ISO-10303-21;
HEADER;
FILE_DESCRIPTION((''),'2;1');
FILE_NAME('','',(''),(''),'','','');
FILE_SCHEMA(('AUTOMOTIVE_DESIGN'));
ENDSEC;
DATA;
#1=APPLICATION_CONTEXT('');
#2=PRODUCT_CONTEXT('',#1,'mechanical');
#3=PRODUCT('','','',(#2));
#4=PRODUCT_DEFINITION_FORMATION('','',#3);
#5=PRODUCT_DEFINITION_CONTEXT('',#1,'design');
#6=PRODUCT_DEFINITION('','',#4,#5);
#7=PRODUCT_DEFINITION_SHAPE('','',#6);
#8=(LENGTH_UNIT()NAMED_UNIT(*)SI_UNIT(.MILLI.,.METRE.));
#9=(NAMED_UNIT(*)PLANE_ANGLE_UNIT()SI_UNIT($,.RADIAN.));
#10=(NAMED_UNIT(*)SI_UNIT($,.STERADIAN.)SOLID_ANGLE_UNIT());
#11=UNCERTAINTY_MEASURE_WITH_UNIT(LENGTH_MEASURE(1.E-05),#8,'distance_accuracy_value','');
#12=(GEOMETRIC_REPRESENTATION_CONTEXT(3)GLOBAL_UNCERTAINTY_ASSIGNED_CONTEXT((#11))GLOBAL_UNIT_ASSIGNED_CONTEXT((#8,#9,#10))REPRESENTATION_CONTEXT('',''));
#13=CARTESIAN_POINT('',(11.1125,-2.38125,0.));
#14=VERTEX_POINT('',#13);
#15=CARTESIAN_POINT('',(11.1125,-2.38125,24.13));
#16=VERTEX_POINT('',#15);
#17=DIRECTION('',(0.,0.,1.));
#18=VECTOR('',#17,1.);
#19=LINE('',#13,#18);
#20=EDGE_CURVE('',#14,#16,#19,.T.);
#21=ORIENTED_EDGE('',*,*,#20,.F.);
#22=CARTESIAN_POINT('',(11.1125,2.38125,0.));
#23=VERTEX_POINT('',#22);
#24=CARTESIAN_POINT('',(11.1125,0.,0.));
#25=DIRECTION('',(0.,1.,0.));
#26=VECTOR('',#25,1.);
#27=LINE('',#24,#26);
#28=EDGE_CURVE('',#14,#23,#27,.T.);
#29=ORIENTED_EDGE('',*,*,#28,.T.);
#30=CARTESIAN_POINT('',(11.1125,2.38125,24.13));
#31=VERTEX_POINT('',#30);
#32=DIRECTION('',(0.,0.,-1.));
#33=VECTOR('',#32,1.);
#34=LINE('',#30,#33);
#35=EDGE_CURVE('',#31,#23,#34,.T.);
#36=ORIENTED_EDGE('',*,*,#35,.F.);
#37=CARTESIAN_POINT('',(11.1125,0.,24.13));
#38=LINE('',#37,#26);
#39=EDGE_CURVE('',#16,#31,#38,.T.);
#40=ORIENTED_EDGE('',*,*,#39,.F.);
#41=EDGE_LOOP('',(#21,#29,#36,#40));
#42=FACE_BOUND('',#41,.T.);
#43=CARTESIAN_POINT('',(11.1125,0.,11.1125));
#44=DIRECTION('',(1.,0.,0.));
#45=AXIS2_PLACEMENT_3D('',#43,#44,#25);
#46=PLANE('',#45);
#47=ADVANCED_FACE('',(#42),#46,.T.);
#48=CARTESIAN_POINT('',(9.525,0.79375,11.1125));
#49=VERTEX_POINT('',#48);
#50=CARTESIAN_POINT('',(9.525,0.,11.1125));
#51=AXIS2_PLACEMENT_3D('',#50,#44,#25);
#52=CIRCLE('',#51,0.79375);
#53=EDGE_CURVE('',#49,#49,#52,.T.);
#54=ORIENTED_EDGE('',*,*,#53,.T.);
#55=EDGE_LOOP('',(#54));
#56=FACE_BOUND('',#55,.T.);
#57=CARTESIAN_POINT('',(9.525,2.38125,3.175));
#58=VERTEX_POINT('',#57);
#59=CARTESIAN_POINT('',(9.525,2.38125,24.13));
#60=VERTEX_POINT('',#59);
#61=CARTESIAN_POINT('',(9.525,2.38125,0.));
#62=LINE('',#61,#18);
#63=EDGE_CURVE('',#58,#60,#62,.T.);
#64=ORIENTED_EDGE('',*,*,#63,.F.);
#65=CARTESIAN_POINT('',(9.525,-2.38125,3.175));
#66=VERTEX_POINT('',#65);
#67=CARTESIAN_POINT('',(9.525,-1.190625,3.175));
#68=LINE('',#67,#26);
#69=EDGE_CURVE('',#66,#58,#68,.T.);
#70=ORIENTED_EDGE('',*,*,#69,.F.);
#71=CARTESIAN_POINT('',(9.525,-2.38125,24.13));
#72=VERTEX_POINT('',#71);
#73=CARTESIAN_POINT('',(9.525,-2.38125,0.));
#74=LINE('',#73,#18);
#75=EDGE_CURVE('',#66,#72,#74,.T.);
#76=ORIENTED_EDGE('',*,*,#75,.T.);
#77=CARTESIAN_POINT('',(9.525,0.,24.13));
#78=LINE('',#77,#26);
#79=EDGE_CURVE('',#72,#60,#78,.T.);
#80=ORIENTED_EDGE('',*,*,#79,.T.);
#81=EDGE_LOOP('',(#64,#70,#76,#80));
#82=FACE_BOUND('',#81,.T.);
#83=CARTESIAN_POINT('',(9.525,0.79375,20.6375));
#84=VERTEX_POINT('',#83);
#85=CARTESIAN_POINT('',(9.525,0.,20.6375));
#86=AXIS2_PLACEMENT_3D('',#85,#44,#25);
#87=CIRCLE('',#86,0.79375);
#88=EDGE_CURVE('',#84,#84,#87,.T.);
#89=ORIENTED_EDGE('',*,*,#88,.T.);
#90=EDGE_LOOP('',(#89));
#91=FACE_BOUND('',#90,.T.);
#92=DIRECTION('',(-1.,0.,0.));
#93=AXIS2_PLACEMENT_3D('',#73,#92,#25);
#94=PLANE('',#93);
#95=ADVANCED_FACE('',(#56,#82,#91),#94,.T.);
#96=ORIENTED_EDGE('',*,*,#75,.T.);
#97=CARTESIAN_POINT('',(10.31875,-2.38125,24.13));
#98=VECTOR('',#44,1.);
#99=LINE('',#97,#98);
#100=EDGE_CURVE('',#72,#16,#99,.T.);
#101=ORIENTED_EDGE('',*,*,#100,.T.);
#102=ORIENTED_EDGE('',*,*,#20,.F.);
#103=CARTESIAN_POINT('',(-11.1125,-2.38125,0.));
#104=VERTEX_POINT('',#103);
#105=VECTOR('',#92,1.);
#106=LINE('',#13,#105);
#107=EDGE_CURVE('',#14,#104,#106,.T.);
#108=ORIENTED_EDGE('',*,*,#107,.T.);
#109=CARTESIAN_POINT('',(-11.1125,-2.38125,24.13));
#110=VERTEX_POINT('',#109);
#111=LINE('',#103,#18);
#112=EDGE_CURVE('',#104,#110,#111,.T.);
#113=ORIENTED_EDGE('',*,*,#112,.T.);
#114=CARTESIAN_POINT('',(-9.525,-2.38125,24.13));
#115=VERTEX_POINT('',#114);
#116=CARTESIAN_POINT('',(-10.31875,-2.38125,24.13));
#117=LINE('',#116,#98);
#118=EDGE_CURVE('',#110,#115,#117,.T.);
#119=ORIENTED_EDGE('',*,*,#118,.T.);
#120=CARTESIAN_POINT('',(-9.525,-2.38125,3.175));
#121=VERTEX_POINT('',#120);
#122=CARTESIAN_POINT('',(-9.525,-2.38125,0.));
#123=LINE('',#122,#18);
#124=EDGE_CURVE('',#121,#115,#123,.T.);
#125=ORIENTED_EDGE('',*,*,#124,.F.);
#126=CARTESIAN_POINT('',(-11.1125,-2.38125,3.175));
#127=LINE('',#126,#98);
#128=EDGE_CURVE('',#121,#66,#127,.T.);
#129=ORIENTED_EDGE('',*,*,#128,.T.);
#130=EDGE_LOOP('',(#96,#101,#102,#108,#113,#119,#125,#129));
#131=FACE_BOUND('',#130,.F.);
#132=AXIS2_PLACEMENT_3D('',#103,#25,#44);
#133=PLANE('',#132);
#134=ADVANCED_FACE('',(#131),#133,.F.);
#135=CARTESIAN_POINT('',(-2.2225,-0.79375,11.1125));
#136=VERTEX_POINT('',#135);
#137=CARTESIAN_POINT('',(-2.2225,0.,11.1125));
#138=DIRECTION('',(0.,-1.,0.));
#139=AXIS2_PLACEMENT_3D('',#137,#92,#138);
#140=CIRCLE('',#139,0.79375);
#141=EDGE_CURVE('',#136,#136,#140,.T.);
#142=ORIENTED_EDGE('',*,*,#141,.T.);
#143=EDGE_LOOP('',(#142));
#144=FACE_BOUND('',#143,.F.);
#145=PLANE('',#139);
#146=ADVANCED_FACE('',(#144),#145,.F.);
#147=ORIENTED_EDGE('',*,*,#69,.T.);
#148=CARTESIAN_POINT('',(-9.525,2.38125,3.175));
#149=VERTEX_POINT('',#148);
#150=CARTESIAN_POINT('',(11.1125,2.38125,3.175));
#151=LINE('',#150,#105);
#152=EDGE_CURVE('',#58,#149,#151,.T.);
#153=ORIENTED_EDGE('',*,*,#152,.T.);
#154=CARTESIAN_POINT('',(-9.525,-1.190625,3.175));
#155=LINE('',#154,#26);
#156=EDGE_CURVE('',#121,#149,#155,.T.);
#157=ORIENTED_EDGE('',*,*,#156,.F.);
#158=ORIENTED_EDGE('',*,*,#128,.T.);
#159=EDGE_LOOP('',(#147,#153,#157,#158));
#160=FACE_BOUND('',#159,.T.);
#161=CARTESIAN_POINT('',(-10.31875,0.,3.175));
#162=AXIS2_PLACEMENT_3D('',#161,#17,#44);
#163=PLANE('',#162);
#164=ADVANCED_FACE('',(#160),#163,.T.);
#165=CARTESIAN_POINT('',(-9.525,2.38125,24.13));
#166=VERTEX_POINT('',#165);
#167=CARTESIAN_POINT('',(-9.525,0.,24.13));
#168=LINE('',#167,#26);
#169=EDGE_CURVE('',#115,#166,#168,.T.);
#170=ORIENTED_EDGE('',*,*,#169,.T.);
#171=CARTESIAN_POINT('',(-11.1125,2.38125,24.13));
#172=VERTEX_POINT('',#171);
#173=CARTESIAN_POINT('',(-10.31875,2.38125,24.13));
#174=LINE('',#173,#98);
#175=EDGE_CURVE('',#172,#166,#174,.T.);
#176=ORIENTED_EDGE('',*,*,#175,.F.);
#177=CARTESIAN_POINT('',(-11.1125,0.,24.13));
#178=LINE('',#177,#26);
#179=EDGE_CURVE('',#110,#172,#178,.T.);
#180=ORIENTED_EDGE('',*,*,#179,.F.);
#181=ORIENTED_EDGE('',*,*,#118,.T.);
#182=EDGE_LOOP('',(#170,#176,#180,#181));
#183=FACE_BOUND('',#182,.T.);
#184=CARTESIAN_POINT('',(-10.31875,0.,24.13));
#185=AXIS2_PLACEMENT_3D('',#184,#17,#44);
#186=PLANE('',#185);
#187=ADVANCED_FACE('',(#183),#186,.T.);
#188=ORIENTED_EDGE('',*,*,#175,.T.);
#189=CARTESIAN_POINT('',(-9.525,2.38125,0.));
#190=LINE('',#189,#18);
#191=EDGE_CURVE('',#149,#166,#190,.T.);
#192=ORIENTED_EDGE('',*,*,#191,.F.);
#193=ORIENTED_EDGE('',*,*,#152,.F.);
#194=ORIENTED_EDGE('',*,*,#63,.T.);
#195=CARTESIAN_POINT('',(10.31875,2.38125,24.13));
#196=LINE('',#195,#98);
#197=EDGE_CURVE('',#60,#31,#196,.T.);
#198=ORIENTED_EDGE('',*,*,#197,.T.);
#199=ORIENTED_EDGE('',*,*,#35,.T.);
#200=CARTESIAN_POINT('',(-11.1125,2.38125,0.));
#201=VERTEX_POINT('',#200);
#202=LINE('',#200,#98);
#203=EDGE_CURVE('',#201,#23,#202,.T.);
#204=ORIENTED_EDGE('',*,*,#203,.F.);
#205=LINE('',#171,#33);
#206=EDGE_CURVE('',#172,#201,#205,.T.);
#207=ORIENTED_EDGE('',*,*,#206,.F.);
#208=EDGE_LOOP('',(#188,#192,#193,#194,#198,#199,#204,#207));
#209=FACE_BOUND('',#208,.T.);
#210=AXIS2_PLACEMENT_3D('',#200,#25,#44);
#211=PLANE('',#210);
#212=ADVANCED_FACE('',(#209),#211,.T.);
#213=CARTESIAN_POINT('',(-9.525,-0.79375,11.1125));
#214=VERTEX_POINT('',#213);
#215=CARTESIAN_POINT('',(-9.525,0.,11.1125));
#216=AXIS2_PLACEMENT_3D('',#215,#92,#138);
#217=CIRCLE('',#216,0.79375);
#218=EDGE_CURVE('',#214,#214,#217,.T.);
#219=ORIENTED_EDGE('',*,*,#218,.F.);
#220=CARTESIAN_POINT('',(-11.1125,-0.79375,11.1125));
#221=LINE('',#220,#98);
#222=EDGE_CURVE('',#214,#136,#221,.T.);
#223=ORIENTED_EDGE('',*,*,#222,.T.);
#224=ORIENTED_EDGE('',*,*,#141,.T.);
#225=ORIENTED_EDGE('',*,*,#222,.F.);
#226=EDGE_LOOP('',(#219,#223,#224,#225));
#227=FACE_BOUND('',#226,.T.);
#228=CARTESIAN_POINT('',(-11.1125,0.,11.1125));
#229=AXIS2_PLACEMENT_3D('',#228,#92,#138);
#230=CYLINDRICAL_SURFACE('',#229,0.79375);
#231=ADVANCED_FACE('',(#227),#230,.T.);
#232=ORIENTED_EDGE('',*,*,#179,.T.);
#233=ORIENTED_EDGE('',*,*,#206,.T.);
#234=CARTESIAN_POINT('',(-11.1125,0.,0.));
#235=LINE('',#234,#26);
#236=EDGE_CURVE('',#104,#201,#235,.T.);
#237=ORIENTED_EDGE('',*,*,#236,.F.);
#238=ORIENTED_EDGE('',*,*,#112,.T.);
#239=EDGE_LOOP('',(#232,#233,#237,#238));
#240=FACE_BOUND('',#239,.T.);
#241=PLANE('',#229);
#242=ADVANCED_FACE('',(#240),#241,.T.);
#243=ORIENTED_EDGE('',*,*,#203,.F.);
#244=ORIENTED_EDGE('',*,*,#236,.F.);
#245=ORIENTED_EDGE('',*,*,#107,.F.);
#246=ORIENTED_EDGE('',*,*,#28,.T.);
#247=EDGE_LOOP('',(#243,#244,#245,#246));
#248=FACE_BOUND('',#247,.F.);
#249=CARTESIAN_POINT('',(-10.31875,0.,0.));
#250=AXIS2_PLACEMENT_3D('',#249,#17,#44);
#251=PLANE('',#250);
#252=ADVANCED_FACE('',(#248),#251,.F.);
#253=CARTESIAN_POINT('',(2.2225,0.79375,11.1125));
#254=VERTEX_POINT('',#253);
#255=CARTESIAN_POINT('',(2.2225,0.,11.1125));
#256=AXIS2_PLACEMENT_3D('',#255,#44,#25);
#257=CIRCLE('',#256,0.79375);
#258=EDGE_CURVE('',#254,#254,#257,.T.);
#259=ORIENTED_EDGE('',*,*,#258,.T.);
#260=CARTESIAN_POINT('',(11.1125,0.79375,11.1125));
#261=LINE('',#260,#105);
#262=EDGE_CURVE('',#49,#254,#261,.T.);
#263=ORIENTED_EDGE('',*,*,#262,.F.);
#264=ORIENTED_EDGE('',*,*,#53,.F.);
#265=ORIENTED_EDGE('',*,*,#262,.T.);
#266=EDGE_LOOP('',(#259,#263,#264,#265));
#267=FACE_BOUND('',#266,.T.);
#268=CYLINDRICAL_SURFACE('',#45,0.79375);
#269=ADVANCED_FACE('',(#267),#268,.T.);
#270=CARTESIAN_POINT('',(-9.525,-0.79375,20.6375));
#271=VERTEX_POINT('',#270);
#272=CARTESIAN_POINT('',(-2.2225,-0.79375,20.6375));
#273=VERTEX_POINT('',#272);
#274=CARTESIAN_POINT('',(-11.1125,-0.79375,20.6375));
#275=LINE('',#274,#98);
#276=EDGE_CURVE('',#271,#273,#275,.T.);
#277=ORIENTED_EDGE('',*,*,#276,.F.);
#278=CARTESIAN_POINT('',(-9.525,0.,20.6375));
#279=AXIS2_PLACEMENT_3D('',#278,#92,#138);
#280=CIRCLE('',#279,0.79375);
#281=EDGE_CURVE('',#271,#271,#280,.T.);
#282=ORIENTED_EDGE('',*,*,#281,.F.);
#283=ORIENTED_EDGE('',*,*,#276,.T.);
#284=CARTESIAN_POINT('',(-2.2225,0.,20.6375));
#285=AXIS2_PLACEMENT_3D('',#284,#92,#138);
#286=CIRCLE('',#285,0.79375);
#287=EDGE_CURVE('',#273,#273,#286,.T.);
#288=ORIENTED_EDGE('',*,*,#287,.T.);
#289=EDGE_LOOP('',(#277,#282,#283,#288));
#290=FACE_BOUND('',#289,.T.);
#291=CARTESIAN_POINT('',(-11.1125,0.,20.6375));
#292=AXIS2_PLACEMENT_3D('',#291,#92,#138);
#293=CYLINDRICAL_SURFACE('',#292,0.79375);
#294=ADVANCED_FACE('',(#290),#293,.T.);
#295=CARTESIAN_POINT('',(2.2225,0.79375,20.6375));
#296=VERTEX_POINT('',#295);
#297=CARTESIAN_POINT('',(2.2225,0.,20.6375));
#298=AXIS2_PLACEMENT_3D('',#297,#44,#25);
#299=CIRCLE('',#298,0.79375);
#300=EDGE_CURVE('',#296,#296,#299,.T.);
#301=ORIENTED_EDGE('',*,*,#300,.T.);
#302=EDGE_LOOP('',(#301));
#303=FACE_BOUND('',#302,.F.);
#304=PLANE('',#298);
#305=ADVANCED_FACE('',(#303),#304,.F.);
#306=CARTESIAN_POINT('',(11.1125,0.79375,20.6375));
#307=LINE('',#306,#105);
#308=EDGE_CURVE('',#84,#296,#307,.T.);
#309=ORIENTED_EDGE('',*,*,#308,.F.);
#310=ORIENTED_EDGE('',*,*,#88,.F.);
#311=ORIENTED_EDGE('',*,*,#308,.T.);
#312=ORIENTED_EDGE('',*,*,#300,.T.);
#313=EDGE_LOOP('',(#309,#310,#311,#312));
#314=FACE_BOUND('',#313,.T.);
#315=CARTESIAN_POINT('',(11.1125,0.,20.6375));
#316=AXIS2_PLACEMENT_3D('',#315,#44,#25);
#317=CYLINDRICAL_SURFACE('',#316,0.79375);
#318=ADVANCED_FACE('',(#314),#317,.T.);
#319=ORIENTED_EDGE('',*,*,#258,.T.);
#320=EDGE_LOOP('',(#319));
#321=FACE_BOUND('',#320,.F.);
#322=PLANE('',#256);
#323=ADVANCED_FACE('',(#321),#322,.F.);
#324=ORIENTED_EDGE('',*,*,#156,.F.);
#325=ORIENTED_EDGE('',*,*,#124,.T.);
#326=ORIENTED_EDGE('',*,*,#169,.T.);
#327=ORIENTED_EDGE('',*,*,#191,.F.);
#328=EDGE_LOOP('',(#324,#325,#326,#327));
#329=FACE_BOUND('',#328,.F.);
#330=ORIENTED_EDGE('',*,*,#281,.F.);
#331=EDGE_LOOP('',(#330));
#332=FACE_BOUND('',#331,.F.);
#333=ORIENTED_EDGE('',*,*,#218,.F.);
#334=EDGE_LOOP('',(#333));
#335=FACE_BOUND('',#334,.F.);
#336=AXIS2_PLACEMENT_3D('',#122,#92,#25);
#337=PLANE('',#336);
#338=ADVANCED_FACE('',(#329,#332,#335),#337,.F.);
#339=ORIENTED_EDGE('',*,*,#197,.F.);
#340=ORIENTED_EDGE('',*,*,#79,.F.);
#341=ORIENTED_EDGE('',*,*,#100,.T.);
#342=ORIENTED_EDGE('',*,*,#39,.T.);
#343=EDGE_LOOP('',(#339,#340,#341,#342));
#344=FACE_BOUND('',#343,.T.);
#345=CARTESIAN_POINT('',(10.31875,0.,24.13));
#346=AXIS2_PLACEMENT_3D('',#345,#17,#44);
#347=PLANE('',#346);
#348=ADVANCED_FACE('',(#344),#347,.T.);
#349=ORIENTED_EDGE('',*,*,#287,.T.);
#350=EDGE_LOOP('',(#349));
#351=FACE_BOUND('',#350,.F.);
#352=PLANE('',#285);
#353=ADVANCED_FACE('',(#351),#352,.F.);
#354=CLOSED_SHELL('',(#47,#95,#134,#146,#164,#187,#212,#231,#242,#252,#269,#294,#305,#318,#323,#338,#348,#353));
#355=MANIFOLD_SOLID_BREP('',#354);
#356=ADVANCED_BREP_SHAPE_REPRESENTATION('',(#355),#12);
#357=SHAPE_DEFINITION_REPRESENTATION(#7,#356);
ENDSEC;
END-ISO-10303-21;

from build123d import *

# Parameters (mm, degrees)
F0_W     = 1.5875
F0_H     = 4.7625
F1_DEPTH = 24.13
F0_W_2   = 19.05
F2_DEPTH = 3.175
F3_R     = 0.79375
F4_DEPTH = 8.89
F5_R     = 0.79375
F6_DEPTH = 8.89


with BuildPart() as f1:
    # F0 (on Top) → F1 (new body)
    with BuildSketch(Plane.XY):
        with Locations((-10.31875, 0)):
            Rectangle(F0_W, F0_H)
    extrude(amount=F1_DEPTH)



with BuildPart() as f1b:
    # F0 (on Top) → F1, piece 2 (new body)
    with BuildSketch(Plane.XY):
        with Locations((10.31875, 0)):
            Rectangle(F0_W, F0_H)
    extrude(amount=F1_DEPTH)


with BuildPart() as f1_1:
    add(f1.part)

    add(f1b.part)  # F2 merges F1b
    # F0 (on Top) → F2 (join)
    with BuildSketch(Plane.XY):
        with Locations((-10.31875, 0)):
            Rectangle(F0_W, F0_H)
        Rectangle(F0_W_2, F0_H)
        with Locations((10.31875, 0)):
            Rectangle(F0_W, F0_H)
    extrude(amount=F2_DEPTH)

    # F3 (on face) → F4 (join)
    with BuildSketch(Plane.YZ.offset(11.1125)):
        with Locations((0, 11.1125)):
            Circle(F3_R)
        with Locations((0, 20.6375)):
            Circle(F3_R)
    extrude(amount=-F4_DEPTH)

    # F5 (on face) → F6 (join)
    with BuildSketch(Plane(origin=(-11.1125, 0, 0), x_dir=(0, -1, 0), z_dir=(-1, 0, 0))):
        with Locations((0, 11.1125)):
            Circle(F5_R)
        with Locations((0, 20.6375)):
            Circle(F5_R)
    extrude(amount=-F6_DEPTH)


solid = f1_1.part
